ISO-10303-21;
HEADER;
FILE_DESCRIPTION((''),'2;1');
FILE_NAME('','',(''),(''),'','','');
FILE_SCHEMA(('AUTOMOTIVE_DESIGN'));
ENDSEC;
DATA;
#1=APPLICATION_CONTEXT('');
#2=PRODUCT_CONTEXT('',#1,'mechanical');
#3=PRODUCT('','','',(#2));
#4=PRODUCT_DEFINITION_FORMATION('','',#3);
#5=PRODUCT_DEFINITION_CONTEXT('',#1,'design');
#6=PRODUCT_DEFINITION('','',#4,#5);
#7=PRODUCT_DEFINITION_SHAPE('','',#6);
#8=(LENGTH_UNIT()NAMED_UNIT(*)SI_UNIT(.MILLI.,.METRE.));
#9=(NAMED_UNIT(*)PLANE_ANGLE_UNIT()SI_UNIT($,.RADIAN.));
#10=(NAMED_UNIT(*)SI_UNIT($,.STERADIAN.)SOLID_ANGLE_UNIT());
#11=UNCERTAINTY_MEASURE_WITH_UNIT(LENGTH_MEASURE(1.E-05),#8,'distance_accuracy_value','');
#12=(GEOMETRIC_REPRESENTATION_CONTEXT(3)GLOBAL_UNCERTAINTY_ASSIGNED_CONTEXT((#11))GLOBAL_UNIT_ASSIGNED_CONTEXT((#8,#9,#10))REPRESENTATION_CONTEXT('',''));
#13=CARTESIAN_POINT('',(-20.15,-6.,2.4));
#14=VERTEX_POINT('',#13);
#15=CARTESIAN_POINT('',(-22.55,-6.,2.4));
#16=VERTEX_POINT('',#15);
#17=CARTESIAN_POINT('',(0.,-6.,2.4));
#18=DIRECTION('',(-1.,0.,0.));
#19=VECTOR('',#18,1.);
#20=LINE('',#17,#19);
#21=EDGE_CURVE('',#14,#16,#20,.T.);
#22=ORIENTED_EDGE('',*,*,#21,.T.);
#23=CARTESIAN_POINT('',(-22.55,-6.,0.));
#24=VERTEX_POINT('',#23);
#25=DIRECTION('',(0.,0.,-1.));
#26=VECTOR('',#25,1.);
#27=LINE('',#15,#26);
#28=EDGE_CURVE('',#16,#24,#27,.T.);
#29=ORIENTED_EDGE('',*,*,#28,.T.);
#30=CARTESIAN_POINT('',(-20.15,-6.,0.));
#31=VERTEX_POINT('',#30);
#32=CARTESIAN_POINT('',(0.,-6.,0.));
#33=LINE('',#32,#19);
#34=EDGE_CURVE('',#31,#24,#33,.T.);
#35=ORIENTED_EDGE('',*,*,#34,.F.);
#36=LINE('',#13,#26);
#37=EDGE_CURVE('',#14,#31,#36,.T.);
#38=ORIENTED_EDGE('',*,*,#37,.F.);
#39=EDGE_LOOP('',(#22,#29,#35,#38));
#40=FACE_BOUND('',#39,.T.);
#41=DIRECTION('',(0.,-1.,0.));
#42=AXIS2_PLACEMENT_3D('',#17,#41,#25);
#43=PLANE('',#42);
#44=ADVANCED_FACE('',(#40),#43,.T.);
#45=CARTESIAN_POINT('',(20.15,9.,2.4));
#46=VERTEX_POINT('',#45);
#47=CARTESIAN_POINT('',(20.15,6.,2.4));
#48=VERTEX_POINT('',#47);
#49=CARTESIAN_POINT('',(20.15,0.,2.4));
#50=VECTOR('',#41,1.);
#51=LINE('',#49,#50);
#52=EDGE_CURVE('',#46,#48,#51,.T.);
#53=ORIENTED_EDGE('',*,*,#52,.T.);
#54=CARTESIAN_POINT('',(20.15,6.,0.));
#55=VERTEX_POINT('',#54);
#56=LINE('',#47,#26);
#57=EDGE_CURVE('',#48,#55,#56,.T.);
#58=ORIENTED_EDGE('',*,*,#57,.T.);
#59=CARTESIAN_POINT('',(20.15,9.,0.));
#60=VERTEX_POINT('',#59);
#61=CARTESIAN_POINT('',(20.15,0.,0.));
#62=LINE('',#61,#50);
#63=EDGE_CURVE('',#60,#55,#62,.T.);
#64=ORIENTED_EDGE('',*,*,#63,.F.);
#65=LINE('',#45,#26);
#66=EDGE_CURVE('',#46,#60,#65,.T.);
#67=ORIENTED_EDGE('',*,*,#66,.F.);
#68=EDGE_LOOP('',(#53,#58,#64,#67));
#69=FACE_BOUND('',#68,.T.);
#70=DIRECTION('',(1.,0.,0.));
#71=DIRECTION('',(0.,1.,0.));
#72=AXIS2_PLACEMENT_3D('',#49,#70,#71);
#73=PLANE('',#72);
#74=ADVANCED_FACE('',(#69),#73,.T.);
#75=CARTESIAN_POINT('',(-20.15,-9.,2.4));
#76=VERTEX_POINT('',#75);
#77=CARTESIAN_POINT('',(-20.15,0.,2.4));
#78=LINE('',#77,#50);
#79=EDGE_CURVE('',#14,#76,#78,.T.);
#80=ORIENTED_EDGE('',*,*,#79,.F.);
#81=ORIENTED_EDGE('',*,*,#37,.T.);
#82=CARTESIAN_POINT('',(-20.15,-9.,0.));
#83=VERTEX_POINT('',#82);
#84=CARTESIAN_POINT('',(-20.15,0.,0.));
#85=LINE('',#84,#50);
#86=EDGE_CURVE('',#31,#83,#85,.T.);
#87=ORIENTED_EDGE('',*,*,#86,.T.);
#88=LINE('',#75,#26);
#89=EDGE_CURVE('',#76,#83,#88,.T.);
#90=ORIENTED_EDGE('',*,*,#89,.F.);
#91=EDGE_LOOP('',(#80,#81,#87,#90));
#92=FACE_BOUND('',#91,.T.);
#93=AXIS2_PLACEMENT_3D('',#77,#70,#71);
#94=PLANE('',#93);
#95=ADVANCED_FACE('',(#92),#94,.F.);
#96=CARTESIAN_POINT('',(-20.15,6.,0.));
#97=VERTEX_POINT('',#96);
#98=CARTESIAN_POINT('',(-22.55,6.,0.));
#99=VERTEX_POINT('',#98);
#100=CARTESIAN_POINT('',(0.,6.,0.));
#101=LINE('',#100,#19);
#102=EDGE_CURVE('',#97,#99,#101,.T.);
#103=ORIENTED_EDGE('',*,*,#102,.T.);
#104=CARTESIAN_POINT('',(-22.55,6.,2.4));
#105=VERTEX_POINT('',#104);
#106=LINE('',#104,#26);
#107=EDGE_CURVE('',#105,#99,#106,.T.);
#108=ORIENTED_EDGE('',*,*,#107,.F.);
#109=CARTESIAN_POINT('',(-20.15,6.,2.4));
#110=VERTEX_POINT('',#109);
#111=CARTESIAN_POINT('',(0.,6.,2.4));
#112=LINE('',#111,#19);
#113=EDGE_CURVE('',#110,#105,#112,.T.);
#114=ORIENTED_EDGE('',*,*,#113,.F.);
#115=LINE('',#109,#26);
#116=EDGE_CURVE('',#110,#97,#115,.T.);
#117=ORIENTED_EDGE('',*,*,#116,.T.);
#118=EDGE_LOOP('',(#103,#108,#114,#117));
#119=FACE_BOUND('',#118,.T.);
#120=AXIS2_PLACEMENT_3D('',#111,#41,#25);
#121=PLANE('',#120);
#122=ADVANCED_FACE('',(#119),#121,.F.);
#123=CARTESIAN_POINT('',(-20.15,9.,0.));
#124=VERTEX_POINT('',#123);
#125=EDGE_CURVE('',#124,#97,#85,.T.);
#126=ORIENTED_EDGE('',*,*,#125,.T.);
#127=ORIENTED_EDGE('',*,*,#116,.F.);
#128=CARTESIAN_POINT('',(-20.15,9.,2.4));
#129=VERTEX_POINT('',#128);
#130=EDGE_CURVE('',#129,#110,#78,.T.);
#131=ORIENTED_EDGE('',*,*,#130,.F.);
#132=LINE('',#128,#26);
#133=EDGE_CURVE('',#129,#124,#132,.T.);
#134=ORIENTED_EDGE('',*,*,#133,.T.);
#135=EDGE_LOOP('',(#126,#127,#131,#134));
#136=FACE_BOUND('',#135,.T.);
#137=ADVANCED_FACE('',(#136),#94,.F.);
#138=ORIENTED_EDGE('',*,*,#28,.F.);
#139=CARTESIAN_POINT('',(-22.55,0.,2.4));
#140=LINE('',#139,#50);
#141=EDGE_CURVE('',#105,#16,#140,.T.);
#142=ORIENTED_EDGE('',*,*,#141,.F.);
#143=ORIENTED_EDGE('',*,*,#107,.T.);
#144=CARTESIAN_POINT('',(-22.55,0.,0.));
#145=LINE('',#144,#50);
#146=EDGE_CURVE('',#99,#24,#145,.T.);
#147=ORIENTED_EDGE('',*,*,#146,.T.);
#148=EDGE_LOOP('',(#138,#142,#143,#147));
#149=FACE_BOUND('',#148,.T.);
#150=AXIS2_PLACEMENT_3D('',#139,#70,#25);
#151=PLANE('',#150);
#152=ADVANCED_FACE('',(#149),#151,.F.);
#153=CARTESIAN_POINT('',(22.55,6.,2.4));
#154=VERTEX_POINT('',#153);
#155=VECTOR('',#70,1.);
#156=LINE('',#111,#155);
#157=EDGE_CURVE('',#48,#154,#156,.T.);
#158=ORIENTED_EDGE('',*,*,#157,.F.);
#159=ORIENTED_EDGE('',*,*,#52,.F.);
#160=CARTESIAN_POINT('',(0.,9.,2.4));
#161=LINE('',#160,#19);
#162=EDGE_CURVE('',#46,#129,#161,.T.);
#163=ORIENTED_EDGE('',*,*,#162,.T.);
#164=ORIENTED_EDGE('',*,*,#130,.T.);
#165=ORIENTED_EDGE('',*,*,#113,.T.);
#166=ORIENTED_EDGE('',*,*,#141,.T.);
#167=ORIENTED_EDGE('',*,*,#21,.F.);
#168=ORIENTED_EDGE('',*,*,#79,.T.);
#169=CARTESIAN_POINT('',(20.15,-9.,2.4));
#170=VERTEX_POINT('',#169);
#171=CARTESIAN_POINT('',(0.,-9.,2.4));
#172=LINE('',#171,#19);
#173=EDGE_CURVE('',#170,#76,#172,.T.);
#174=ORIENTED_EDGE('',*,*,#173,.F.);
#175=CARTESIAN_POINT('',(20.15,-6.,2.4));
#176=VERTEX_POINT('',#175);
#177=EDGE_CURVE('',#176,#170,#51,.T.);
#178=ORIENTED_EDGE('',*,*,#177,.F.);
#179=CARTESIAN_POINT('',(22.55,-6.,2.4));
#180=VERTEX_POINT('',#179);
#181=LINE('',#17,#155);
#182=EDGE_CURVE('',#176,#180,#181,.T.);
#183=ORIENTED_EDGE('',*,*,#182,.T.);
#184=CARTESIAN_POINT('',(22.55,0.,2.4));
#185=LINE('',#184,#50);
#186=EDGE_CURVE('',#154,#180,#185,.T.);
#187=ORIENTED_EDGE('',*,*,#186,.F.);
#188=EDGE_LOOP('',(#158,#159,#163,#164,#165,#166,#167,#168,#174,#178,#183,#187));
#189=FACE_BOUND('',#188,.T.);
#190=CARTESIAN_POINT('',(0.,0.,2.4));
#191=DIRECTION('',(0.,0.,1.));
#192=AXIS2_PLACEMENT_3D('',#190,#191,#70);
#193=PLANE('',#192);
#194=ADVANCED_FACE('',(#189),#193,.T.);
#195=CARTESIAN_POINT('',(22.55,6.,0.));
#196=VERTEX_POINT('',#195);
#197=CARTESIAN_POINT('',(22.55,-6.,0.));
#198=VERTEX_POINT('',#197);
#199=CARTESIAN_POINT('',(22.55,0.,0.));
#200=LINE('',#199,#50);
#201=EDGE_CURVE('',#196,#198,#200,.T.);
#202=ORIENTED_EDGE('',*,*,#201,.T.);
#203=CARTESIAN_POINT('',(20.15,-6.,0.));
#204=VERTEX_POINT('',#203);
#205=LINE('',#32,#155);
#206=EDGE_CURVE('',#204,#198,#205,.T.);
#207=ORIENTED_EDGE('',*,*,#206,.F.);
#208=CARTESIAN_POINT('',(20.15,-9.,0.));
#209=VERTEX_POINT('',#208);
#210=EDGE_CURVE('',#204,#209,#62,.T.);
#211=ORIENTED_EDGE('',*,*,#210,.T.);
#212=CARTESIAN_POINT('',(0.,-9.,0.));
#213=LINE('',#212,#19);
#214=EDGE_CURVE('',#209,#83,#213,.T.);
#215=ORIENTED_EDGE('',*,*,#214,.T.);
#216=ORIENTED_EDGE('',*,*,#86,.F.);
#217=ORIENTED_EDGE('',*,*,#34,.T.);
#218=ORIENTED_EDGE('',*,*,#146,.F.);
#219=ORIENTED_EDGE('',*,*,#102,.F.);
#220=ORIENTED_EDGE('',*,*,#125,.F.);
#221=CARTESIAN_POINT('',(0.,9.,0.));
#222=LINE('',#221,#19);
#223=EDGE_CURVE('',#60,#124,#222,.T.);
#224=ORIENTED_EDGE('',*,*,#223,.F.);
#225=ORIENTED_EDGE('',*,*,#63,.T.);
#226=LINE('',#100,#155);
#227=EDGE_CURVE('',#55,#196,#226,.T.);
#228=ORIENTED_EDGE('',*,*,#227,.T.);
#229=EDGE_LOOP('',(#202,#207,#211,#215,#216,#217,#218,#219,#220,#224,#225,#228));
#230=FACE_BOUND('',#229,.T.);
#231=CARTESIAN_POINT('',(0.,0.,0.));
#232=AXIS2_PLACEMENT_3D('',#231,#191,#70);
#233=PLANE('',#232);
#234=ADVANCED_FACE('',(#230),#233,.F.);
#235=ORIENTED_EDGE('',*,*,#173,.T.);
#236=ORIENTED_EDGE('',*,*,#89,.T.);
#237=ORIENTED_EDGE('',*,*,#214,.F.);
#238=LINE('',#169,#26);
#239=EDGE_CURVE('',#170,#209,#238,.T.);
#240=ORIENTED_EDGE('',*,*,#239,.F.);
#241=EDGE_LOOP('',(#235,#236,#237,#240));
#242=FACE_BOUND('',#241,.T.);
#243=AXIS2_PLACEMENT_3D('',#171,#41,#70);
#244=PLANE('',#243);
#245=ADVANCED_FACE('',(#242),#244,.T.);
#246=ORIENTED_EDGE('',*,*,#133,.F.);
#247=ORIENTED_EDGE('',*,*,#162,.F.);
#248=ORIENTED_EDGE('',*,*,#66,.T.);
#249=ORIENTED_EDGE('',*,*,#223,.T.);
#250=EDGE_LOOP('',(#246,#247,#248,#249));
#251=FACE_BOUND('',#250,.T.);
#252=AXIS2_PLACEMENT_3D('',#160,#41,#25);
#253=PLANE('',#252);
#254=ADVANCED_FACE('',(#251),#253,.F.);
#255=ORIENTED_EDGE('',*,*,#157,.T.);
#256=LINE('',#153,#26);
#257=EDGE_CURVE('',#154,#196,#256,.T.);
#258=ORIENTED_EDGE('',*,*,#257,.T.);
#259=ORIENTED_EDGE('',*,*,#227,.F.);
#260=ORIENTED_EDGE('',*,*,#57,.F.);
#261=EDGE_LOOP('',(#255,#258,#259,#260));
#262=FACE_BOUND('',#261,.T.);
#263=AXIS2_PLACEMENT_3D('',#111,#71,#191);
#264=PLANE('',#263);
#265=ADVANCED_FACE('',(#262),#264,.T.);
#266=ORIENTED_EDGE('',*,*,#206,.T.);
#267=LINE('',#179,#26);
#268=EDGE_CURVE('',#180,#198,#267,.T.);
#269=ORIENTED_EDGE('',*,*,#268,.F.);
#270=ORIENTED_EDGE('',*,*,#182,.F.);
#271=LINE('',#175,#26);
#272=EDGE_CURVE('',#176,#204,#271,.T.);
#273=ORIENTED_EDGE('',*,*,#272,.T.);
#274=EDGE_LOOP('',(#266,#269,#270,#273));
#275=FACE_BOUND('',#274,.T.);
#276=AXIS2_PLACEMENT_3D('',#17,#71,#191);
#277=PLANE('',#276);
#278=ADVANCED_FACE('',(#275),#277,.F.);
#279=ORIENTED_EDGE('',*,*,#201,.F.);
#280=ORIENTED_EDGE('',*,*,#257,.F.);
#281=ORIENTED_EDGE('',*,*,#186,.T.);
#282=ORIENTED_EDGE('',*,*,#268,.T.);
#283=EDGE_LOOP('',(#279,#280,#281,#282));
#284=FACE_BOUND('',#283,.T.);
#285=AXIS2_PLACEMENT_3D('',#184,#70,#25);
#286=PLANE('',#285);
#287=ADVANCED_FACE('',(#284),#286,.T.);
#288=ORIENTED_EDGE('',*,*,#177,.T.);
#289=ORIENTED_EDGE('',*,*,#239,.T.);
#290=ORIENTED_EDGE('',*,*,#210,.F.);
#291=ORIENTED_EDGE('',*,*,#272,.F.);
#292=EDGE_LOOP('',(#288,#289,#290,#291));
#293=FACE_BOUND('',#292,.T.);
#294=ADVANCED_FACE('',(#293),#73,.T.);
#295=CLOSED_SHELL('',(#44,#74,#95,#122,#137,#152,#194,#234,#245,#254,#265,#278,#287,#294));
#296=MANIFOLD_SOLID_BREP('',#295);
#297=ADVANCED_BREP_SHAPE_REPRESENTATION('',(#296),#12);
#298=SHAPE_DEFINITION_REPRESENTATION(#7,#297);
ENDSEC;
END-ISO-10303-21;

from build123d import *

# Parameters (mm, degrees)
BOSS_EXTRUDE1_DEPTH = 2.4


with BuildPart() as part:
    # Sketch1 → Boss-Extrude1 (new body)
    with BuildSketch(Plane.XY):
        Polygon((20.15, 9), (-20.15, 9), (-20.15, 6), (-22.55, 6), (-22.55, -6), (-20.15, -6), (-20.15, -9), (20.15, -9), (20.15, -6), (22.55, -6), (22.55, 6), (20.15, 6), align=None)
    extrude(amount=BOSS_EXTRUDE1_DEPTH)


solid = part.part
